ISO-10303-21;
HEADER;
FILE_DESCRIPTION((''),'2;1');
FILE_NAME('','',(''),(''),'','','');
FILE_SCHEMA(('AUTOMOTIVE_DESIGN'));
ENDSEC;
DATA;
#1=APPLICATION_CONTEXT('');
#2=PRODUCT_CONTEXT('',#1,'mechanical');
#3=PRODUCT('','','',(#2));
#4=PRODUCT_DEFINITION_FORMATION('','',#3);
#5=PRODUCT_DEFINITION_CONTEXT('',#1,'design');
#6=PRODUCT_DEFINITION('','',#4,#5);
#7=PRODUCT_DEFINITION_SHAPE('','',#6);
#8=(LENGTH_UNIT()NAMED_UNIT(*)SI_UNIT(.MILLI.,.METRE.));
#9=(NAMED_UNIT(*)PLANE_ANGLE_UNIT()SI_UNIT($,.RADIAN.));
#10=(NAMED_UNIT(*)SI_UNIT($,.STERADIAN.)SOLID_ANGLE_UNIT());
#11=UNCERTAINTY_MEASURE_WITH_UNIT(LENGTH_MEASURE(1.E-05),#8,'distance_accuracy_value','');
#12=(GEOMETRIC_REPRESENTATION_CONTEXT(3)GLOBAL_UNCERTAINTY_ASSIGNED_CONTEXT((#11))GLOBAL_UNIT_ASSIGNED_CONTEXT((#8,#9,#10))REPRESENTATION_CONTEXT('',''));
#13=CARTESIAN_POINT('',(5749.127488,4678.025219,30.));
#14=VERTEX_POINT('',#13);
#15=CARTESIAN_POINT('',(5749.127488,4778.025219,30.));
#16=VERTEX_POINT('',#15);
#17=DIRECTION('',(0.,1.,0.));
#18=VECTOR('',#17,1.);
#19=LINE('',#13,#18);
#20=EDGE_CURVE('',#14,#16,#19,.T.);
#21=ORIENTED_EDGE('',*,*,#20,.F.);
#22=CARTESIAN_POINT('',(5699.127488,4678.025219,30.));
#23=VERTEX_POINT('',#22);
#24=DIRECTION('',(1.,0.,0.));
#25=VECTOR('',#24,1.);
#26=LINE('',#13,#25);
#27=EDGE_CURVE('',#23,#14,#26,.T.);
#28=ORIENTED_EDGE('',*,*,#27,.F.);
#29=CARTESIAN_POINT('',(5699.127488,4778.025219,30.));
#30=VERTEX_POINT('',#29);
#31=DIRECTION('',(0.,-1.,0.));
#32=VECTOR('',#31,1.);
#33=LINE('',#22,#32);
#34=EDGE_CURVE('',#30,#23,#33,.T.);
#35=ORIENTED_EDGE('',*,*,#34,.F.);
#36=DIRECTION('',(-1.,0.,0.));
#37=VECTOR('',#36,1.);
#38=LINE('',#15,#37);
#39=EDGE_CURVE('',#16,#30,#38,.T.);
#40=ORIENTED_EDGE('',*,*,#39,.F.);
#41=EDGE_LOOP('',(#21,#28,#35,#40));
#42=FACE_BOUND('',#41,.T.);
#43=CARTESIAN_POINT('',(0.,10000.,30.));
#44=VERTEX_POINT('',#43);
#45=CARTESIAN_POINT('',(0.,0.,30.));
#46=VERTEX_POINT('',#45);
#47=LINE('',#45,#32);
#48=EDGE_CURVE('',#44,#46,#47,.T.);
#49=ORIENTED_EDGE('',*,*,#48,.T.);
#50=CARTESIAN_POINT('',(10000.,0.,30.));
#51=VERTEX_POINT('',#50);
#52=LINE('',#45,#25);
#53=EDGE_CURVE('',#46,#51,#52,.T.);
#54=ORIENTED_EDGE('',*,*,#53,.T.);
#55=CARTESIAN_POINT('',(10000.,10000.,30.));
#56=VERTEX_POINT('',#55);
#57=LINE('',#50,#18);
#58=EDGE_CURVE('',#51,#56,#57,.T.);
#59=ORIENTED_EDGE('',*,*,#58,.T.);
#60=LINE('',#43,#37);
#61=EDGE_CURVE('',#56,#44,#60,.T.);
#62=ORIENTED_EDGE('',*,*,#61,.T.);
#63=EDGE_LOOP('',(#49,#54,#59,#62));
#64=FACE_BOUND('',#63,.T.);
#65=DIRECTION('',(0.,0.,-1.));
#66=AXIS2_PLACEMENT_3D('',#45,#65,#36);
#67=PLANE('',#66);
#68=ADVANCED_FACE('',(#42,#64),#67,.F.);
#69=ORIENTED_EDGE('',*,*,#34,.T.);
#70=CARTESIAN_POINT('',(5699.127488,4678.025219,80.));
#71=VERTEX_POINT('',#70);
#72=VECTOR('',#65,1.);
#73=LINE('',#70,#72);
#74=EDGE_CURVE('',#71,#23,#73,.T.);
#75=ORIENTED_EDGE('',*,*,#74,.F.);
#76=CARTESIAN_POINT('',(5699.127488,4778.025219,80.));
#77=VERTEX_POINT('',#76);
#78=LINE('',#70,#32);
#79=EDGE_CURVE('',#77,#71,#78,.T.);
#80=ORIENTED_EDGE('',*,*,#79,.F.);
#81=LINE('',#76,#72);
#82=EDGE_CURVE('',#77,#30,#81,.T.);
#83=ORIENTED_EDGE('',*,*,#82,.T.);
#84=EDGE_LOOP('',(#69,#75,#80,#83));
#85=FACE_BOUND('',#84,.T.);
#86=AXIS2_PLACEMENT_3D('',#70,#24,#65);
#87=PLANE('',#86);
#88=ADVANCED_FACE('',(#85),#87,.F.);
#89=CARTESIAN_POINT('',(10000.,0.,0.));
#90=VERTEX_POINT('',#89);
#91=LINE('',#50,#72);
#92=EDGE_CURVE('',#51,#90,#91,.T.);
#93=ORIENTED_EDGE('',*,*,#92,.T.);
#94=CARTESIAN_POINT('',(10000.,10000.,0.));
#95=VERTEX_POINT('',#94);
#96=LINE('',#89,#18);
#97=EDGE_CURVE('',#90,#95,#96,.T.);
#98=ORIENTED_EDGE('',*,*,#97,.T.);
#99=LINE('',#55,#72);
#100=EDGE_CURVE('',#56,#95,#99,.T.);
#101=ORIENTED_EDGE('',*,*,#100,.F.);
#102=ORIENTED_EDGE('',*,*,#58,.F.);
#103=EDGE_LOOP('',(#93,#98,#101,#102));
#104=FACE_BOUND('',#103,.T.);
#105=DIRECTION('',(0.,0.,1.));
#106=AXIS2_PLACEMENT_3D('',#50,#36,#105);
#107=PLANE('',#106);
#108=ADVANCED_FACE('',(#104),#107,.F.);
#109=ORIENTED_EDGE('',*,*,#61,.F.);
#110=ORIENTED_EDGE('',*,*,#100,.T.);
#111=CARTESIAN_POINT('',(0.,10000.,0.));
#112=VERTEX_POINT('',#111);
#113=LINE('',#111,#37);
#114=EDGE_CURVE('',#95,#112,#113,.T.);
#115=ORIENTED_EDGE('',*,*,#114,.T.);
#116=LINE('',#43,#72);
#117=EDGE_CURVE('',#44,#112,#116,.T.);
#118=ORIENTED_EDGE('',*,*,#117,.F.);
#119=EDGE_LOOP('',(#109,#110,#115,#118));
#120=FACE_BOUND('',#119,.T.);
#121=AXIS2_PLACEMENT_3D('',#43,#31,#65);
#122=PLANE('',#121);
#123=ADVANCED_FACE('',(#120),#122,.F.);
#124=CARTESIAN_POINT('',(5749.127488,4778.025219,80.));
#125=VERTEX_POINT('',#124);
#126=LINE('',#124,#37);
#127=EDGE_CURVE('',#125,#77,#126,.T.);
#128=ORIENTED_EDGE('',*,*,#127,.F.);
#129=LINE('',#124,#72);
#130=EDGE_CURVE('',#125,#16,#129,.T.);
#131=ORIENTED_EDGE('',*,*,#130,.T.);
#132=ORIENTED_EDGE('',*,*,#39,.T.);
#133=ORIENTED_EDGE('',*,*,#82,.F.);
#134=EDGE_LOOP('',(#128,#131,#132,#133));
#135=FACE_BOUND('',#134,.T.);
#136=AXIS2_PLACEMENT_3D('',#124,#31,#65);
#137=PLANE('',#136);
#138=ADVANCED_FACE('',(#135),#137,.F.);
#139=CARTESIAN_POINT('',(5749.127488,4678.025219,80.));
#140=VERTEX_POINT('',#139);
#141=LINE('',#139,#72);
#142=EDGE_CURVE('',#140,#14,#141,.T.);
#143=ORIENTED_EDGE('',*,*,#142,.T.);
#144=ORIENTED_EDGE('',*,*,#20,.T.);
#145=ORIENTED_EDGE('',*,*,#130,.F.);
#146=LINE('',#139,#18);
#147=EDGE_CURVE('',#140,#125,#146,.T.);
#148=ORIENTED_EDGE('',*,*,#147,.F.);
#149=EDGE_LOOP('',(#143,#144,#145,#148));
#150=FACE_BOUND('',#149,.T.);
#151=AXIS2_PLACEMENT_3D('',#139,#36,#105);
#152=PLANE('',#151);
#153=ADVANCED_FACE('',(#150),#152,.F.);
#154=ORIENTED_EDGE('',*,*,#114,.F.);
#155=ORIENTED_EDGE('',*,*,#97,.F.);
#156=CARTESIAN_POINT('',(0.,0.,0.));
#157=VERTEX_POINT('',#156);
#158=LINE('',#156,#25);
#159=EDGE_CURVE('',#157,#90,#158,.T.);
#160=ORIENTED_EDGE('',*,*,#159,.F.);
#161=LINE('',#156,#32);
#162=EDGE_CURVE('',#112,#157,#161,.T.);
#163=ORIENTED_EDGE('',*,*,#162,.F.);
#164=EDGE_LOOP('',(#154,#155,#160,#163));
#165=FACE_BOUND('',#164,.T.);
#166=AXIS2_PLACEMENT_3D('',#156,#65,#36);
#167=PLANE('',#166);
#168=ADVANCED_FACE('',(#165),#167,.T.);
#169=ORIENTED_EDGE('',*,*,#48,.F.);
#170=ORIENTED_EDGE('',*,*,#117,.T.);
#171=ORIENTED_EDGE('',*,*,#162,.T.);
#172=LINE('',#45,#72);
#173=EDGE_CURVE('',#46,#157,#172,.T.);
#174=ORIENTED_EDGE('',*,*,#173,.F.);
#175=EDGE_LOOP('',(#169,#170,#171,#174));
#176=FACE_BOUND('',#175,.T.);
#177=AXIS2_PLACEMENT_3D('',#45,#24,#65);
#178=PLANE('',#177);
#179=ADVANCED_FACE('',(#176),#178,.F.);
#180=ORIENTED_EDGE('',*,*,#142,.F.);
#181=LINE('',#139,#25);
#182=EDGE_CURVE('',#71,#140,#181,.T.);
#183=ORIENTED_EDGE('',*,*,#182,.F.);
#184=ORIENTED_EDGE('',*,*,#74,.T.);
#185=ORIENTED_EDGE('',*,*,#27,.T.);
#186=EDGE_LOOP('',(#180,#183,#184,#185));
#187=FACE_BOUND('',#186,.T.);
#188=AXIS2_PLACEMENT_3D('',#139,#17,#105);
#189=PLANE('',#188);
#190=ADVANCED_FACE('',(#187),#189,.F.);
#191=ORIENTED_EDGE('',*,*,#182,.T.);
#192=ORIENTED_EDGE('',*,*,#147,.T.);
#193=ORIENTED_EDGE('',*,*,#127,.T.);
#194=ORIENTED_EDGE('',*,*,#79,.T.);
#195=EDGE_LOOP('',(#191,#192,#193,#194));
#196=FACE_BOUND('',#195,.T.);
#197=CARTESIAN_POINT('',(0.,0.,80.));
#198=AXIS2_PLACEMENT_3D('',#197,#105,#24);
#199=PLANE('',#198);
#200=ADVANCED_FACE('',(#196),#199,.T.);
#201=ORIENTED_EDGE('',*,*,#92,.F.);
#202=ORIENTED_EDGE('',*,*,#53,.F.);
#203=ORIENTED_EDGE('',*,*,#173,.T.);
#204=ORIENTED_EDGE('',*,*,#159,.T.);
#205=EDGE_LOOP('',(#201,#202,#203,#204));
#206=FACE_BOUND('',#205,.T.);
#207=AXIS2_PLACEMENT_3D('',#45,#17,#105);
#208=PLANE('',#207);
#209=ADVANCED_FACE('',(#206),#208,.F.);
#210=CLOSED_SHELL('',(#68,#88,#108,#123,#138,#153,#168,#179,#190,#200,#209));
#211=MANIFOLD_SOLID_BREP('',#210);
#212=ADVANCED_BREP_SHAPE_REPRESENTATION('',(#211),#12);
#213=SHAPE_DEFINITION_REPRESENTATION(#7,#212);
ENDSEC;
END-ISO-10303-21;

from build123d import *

# Parameters (mm, degrees)
SKETCH_1_W      = 10000
SKETCH_1_H      = 10000
EXTRUDE_1_DEPTH = 30
SKETCH_2_W      = 50
SKETCH_2_H      = 100
EXTRUDE_2_DEPTH = 50


with BuildPart() as part:
    # ｽｹｯﾁ1 → ﾎﾞｽ - 押し出し1 (new body)
    with BuildSketch(Plane.XY):
        with Locations((5000, 5000)):
            Rectangle(SKETCH_1_W, SKETCH_1_H)
    extrude(amount=EXTRUDE_1_DEPTH)

    # ｽｹｯﾁ2 → ﾎﾞｽ - 押し出し2 (add)
    with BuildSketch(Plane.XY.offset(30)):
        with Locations((5724.127488333, 4728.025219222)):
            Rectangle(SKETCH_2_W, SKETCH_2_H)
    extrude(amount=EXTRUDE_2_DEPTH)


solid = part.part
